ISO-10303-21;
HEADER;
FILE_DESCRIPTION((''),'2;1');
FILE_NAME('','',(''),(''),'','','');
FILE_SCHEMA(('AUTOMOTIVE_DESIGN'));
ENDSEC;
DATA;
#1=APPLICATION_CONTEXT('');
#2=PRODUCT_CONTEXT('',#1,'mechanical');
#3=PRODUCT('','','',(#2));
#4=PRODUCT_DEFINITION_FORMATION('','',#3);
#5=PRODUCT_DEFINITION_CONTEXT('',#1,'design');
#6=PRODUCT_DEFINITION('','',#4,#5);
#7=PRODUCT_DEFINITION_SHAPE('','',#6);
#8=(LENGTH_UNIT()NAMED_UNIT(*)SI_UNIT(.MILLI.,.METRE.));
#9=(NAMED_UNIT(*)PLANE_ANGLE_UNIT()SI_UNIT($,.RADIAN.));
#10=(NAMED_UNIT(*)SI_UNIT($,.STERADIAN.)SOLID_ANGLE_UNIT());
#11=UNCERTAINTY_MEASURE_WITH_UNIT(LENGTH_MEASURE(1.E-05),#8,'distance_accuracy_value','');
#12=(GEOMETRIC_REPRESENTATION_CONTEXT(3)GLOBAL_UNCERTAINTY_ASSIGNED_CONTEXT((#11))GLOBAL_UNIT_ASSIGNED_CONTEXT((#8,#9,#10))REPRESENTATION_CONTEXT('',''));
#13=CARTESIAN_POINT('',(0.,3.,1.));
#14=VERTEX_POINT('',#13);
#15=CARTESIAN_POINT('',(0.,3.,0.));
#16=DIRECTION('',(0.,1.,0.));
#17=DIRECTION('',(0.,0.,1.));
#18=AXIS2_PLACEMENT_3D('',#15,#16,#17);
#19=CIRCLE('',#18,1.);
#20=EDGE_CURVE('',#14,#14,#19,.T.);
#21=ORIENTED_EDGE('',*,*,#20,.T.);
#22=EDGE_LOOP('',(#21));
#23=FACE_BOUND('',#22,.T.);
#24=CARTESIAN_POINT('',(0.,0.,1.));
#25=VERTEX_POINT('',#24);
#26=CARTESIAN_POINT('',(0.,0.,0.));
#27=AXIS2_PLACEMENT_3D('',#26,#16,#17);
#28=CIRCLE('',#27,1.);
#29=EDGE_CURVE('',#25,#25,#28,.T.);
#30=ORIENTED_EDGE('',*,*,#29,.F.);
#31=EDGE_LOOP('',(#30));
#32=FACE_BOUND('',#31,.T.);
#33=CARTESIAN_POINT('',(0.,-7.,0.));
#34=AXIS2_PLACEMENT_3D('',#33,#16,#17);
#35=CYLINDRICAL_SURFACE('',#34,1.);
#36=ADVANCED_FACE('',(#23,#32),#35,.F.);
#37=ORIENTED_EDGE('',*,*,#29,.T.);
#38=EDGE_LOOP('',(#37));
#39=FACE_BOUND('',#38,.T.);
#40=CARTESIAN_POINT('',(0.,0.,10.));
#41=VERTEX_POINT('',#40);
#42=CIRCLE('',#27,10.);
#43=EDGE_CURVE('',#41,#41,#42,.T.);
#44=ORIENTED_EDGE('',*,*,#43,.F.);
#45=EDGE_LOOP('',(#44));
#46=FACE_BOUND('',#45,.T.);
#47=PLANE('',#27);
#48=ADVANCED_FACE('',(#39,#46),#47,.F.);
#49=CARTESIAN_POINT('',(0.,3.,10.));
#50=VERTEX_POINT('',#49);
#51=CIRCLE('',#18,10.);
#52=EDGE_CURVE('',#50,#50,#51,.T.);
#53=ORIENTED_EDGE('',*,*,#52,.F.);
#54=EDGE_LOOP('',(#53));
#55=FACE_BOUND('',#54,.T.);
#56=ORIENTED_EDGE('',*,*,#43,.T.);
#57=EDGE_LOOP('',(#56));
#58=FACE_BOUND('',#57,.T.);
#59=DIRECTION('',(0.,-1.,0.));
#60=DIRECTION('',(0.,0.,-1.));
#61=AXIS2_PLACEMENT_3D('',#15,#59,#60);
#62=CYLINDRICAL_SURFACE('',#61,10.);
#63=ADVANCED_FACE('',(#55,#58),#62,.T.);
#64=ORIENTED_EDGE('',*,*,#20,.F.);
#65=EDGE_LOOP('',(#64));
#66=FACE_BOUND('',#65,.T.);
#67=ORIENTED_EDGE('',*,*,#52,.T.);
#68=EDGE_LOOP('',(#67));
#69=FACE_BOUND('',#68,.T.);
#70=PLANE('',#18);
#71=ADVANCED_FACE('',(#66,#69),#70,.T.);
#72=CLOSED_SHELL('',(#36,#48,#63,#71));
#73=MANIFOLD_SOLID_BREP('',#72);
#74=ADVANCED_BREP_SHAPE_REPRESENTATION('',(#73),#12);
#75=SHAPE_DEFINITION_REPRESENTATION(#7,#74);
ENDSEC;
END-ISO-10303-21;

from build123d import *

# Parameters (mm, degrees)
SKETCH1_R           = 10
BOSS_EXTRUDE1_DEPTH = 3
SKETCH2_R           = 1
CUT_EXTRUDE1_DEPTH  = 10


with BuildPart() as part:
    # Sketch1 → Boss-Extrude1 (new body)
    with BuildSketch(Plane(origin=(0, 0, 0), x_dir=(1, 0, 0), z_dir=(0, 1, 0))):
        with Locations(Location((0, 0, 0), (0, 0, 270))):
            Circle(SKETCH1_R)
    extrude(amount=BOSS_EXTRUDE1_DEPTH)

    # Sketch2 → Cut-Extrude1 (cut)
    with BuildSketch(Plane(origin=(0, 3, 0), x_dir=(1, 0, 0), z_dir=(0, 1, 0))):
        with Locations(Location((0, 0, 0), (0, 0, 270))):
            Circle(SKETCH2_R)
    extrude(amount=-CUT_EXTRUDE1_DEPTH, mode=Mode.SUBTRACT)


solid = part.part
